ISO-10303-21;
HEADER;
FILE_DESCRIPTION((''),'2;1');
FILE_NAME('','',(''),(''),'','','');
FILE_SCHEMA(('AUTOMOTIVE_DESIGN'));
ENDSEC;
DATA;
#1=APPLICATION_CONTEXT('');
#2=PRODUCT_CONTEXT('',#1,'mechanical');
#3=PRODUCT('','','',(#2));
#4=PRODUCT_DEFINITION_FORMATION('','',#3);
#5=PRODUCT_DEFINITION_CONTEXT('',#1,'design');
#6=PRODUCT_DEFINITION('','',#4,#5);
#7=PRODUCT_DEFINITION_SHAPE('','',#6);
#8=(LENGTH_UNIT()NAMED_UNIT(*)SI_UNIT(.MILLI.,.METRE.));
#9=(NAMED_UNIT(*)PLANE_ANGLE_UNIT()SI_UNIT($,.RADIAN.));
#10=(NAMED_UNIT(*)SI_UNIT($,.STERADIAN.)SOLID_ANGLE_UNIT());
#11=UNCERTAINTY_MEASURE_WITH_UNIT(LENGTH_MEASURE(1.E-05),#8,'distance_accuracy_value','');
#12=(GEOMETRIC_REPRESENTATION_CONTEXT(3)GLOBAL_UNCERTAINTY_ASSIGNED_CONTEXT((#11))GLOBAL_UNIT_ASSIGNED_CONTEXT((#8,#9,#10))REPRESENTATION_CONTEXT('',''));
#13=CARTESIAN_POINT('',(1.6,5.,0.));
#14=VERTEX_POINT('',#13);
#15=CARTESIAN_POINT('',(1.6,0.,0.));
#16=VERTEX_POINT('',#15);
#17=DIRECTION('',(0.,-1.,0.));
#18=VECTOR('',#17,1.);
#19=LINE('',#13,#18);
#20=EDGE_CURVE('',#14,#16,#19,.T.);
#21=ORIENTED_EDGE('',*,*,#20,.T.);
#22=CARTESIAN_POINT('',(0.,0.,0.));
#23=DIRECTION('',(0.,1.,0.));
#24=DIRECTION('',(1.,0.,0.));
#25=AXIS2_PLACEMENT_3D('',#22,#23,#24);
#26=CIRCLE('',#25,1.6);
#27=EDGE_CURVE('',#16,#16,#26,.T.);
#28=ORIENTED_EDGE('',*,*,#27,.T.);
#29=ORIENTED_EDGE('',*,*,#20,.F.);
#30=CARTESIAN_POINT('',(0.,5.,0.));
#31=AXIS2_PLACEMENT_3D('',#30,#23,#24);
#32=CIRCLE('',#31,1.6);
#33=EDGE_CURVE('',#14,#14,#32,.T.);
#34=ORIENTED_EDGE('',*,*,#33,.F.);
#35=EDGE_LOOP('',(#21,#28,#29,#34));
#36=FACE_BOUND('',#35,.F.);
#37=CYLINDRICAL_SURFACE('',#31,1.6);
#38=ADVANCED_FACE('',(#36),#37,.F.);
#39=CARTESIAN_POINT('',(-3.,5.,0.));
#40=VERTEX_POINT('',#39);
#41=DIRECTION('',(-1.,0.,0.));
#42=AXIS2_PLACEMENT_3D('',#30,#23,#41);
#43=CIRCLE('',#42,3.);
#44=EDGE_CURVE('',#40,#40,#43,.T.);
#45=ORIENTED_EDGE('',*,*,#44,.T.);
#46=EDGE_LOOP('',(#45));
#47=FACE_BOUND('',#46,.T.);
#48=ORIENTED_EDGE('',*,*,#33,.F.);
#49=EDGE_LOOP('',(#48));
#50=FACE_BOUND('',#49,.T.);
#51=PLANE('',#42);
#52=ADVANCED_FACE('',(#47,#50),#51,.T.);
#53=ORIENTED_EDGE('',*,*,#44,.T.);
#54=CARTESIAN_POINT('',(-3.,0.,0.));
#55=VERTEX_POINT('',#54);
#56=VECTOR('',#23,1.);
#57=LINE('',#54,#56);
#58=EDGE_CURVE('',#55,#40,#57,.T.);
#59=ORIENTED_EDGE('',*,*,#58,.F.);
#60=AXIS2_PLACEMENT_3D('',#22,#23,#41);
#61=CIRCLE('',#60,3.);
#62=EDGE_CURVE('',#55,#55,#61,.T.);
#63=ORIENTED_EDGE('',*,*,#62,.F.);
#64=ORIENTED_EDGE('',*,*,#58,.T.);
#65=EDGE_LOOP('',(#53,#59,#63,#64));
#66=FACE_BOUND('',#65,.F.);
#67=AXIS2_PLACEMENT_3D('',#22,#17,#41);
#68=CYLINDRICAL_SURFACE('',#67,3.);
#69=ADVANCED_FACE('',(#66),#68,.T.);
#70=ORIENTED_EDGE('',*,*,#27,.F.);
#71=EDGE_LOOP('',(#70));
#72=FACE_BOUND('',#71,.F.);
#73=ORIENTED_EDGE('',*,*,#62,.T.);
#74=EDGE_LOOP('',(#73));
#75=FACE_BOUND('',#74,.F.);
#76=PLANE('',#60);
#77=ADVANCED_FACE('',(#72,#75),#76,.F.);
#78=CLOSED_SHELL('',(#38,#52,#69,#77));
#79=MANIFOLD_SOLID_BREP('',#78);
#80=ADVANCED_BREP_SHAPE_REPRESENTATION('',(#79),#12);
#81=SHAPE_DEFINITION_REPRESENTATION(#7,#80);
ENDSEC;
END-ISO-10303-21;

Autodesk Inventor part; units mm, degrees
ref_plane "YZ Plane" through (0, 0, 0) normal (1, 0, 0) x (0, 1, 0)
ref_plane "XZ Plane" through (0, 0, 0) normal (0, 1, 0) x (-1, 0, 0)
ref_plane "XY Plane" through (0, 0, 0) normal (0, 0, 1) x (1, 0, 0)
sketch "スケッチ1" plane through (0, 0, 0) normal (0, 1, 0) x (-1, 0, 0)
  circle A0 centre (0, 0) radius 3
  dimension "d0" = 6
extrude "押し出し1" add sketch "スケッチ1" along normal blind 5
sketch "スケッチ2" plane through (0, 5, 0) normal (0, 1, 0) x (1, 0, 0)
  circle A0 centre (0, 0) radius 1.6
  dimension "d3" = 3.2
extrude "押し出し2" cut sketch "スケッチ2" against normal through all
properties part number "CU-305" material "SUS304"
